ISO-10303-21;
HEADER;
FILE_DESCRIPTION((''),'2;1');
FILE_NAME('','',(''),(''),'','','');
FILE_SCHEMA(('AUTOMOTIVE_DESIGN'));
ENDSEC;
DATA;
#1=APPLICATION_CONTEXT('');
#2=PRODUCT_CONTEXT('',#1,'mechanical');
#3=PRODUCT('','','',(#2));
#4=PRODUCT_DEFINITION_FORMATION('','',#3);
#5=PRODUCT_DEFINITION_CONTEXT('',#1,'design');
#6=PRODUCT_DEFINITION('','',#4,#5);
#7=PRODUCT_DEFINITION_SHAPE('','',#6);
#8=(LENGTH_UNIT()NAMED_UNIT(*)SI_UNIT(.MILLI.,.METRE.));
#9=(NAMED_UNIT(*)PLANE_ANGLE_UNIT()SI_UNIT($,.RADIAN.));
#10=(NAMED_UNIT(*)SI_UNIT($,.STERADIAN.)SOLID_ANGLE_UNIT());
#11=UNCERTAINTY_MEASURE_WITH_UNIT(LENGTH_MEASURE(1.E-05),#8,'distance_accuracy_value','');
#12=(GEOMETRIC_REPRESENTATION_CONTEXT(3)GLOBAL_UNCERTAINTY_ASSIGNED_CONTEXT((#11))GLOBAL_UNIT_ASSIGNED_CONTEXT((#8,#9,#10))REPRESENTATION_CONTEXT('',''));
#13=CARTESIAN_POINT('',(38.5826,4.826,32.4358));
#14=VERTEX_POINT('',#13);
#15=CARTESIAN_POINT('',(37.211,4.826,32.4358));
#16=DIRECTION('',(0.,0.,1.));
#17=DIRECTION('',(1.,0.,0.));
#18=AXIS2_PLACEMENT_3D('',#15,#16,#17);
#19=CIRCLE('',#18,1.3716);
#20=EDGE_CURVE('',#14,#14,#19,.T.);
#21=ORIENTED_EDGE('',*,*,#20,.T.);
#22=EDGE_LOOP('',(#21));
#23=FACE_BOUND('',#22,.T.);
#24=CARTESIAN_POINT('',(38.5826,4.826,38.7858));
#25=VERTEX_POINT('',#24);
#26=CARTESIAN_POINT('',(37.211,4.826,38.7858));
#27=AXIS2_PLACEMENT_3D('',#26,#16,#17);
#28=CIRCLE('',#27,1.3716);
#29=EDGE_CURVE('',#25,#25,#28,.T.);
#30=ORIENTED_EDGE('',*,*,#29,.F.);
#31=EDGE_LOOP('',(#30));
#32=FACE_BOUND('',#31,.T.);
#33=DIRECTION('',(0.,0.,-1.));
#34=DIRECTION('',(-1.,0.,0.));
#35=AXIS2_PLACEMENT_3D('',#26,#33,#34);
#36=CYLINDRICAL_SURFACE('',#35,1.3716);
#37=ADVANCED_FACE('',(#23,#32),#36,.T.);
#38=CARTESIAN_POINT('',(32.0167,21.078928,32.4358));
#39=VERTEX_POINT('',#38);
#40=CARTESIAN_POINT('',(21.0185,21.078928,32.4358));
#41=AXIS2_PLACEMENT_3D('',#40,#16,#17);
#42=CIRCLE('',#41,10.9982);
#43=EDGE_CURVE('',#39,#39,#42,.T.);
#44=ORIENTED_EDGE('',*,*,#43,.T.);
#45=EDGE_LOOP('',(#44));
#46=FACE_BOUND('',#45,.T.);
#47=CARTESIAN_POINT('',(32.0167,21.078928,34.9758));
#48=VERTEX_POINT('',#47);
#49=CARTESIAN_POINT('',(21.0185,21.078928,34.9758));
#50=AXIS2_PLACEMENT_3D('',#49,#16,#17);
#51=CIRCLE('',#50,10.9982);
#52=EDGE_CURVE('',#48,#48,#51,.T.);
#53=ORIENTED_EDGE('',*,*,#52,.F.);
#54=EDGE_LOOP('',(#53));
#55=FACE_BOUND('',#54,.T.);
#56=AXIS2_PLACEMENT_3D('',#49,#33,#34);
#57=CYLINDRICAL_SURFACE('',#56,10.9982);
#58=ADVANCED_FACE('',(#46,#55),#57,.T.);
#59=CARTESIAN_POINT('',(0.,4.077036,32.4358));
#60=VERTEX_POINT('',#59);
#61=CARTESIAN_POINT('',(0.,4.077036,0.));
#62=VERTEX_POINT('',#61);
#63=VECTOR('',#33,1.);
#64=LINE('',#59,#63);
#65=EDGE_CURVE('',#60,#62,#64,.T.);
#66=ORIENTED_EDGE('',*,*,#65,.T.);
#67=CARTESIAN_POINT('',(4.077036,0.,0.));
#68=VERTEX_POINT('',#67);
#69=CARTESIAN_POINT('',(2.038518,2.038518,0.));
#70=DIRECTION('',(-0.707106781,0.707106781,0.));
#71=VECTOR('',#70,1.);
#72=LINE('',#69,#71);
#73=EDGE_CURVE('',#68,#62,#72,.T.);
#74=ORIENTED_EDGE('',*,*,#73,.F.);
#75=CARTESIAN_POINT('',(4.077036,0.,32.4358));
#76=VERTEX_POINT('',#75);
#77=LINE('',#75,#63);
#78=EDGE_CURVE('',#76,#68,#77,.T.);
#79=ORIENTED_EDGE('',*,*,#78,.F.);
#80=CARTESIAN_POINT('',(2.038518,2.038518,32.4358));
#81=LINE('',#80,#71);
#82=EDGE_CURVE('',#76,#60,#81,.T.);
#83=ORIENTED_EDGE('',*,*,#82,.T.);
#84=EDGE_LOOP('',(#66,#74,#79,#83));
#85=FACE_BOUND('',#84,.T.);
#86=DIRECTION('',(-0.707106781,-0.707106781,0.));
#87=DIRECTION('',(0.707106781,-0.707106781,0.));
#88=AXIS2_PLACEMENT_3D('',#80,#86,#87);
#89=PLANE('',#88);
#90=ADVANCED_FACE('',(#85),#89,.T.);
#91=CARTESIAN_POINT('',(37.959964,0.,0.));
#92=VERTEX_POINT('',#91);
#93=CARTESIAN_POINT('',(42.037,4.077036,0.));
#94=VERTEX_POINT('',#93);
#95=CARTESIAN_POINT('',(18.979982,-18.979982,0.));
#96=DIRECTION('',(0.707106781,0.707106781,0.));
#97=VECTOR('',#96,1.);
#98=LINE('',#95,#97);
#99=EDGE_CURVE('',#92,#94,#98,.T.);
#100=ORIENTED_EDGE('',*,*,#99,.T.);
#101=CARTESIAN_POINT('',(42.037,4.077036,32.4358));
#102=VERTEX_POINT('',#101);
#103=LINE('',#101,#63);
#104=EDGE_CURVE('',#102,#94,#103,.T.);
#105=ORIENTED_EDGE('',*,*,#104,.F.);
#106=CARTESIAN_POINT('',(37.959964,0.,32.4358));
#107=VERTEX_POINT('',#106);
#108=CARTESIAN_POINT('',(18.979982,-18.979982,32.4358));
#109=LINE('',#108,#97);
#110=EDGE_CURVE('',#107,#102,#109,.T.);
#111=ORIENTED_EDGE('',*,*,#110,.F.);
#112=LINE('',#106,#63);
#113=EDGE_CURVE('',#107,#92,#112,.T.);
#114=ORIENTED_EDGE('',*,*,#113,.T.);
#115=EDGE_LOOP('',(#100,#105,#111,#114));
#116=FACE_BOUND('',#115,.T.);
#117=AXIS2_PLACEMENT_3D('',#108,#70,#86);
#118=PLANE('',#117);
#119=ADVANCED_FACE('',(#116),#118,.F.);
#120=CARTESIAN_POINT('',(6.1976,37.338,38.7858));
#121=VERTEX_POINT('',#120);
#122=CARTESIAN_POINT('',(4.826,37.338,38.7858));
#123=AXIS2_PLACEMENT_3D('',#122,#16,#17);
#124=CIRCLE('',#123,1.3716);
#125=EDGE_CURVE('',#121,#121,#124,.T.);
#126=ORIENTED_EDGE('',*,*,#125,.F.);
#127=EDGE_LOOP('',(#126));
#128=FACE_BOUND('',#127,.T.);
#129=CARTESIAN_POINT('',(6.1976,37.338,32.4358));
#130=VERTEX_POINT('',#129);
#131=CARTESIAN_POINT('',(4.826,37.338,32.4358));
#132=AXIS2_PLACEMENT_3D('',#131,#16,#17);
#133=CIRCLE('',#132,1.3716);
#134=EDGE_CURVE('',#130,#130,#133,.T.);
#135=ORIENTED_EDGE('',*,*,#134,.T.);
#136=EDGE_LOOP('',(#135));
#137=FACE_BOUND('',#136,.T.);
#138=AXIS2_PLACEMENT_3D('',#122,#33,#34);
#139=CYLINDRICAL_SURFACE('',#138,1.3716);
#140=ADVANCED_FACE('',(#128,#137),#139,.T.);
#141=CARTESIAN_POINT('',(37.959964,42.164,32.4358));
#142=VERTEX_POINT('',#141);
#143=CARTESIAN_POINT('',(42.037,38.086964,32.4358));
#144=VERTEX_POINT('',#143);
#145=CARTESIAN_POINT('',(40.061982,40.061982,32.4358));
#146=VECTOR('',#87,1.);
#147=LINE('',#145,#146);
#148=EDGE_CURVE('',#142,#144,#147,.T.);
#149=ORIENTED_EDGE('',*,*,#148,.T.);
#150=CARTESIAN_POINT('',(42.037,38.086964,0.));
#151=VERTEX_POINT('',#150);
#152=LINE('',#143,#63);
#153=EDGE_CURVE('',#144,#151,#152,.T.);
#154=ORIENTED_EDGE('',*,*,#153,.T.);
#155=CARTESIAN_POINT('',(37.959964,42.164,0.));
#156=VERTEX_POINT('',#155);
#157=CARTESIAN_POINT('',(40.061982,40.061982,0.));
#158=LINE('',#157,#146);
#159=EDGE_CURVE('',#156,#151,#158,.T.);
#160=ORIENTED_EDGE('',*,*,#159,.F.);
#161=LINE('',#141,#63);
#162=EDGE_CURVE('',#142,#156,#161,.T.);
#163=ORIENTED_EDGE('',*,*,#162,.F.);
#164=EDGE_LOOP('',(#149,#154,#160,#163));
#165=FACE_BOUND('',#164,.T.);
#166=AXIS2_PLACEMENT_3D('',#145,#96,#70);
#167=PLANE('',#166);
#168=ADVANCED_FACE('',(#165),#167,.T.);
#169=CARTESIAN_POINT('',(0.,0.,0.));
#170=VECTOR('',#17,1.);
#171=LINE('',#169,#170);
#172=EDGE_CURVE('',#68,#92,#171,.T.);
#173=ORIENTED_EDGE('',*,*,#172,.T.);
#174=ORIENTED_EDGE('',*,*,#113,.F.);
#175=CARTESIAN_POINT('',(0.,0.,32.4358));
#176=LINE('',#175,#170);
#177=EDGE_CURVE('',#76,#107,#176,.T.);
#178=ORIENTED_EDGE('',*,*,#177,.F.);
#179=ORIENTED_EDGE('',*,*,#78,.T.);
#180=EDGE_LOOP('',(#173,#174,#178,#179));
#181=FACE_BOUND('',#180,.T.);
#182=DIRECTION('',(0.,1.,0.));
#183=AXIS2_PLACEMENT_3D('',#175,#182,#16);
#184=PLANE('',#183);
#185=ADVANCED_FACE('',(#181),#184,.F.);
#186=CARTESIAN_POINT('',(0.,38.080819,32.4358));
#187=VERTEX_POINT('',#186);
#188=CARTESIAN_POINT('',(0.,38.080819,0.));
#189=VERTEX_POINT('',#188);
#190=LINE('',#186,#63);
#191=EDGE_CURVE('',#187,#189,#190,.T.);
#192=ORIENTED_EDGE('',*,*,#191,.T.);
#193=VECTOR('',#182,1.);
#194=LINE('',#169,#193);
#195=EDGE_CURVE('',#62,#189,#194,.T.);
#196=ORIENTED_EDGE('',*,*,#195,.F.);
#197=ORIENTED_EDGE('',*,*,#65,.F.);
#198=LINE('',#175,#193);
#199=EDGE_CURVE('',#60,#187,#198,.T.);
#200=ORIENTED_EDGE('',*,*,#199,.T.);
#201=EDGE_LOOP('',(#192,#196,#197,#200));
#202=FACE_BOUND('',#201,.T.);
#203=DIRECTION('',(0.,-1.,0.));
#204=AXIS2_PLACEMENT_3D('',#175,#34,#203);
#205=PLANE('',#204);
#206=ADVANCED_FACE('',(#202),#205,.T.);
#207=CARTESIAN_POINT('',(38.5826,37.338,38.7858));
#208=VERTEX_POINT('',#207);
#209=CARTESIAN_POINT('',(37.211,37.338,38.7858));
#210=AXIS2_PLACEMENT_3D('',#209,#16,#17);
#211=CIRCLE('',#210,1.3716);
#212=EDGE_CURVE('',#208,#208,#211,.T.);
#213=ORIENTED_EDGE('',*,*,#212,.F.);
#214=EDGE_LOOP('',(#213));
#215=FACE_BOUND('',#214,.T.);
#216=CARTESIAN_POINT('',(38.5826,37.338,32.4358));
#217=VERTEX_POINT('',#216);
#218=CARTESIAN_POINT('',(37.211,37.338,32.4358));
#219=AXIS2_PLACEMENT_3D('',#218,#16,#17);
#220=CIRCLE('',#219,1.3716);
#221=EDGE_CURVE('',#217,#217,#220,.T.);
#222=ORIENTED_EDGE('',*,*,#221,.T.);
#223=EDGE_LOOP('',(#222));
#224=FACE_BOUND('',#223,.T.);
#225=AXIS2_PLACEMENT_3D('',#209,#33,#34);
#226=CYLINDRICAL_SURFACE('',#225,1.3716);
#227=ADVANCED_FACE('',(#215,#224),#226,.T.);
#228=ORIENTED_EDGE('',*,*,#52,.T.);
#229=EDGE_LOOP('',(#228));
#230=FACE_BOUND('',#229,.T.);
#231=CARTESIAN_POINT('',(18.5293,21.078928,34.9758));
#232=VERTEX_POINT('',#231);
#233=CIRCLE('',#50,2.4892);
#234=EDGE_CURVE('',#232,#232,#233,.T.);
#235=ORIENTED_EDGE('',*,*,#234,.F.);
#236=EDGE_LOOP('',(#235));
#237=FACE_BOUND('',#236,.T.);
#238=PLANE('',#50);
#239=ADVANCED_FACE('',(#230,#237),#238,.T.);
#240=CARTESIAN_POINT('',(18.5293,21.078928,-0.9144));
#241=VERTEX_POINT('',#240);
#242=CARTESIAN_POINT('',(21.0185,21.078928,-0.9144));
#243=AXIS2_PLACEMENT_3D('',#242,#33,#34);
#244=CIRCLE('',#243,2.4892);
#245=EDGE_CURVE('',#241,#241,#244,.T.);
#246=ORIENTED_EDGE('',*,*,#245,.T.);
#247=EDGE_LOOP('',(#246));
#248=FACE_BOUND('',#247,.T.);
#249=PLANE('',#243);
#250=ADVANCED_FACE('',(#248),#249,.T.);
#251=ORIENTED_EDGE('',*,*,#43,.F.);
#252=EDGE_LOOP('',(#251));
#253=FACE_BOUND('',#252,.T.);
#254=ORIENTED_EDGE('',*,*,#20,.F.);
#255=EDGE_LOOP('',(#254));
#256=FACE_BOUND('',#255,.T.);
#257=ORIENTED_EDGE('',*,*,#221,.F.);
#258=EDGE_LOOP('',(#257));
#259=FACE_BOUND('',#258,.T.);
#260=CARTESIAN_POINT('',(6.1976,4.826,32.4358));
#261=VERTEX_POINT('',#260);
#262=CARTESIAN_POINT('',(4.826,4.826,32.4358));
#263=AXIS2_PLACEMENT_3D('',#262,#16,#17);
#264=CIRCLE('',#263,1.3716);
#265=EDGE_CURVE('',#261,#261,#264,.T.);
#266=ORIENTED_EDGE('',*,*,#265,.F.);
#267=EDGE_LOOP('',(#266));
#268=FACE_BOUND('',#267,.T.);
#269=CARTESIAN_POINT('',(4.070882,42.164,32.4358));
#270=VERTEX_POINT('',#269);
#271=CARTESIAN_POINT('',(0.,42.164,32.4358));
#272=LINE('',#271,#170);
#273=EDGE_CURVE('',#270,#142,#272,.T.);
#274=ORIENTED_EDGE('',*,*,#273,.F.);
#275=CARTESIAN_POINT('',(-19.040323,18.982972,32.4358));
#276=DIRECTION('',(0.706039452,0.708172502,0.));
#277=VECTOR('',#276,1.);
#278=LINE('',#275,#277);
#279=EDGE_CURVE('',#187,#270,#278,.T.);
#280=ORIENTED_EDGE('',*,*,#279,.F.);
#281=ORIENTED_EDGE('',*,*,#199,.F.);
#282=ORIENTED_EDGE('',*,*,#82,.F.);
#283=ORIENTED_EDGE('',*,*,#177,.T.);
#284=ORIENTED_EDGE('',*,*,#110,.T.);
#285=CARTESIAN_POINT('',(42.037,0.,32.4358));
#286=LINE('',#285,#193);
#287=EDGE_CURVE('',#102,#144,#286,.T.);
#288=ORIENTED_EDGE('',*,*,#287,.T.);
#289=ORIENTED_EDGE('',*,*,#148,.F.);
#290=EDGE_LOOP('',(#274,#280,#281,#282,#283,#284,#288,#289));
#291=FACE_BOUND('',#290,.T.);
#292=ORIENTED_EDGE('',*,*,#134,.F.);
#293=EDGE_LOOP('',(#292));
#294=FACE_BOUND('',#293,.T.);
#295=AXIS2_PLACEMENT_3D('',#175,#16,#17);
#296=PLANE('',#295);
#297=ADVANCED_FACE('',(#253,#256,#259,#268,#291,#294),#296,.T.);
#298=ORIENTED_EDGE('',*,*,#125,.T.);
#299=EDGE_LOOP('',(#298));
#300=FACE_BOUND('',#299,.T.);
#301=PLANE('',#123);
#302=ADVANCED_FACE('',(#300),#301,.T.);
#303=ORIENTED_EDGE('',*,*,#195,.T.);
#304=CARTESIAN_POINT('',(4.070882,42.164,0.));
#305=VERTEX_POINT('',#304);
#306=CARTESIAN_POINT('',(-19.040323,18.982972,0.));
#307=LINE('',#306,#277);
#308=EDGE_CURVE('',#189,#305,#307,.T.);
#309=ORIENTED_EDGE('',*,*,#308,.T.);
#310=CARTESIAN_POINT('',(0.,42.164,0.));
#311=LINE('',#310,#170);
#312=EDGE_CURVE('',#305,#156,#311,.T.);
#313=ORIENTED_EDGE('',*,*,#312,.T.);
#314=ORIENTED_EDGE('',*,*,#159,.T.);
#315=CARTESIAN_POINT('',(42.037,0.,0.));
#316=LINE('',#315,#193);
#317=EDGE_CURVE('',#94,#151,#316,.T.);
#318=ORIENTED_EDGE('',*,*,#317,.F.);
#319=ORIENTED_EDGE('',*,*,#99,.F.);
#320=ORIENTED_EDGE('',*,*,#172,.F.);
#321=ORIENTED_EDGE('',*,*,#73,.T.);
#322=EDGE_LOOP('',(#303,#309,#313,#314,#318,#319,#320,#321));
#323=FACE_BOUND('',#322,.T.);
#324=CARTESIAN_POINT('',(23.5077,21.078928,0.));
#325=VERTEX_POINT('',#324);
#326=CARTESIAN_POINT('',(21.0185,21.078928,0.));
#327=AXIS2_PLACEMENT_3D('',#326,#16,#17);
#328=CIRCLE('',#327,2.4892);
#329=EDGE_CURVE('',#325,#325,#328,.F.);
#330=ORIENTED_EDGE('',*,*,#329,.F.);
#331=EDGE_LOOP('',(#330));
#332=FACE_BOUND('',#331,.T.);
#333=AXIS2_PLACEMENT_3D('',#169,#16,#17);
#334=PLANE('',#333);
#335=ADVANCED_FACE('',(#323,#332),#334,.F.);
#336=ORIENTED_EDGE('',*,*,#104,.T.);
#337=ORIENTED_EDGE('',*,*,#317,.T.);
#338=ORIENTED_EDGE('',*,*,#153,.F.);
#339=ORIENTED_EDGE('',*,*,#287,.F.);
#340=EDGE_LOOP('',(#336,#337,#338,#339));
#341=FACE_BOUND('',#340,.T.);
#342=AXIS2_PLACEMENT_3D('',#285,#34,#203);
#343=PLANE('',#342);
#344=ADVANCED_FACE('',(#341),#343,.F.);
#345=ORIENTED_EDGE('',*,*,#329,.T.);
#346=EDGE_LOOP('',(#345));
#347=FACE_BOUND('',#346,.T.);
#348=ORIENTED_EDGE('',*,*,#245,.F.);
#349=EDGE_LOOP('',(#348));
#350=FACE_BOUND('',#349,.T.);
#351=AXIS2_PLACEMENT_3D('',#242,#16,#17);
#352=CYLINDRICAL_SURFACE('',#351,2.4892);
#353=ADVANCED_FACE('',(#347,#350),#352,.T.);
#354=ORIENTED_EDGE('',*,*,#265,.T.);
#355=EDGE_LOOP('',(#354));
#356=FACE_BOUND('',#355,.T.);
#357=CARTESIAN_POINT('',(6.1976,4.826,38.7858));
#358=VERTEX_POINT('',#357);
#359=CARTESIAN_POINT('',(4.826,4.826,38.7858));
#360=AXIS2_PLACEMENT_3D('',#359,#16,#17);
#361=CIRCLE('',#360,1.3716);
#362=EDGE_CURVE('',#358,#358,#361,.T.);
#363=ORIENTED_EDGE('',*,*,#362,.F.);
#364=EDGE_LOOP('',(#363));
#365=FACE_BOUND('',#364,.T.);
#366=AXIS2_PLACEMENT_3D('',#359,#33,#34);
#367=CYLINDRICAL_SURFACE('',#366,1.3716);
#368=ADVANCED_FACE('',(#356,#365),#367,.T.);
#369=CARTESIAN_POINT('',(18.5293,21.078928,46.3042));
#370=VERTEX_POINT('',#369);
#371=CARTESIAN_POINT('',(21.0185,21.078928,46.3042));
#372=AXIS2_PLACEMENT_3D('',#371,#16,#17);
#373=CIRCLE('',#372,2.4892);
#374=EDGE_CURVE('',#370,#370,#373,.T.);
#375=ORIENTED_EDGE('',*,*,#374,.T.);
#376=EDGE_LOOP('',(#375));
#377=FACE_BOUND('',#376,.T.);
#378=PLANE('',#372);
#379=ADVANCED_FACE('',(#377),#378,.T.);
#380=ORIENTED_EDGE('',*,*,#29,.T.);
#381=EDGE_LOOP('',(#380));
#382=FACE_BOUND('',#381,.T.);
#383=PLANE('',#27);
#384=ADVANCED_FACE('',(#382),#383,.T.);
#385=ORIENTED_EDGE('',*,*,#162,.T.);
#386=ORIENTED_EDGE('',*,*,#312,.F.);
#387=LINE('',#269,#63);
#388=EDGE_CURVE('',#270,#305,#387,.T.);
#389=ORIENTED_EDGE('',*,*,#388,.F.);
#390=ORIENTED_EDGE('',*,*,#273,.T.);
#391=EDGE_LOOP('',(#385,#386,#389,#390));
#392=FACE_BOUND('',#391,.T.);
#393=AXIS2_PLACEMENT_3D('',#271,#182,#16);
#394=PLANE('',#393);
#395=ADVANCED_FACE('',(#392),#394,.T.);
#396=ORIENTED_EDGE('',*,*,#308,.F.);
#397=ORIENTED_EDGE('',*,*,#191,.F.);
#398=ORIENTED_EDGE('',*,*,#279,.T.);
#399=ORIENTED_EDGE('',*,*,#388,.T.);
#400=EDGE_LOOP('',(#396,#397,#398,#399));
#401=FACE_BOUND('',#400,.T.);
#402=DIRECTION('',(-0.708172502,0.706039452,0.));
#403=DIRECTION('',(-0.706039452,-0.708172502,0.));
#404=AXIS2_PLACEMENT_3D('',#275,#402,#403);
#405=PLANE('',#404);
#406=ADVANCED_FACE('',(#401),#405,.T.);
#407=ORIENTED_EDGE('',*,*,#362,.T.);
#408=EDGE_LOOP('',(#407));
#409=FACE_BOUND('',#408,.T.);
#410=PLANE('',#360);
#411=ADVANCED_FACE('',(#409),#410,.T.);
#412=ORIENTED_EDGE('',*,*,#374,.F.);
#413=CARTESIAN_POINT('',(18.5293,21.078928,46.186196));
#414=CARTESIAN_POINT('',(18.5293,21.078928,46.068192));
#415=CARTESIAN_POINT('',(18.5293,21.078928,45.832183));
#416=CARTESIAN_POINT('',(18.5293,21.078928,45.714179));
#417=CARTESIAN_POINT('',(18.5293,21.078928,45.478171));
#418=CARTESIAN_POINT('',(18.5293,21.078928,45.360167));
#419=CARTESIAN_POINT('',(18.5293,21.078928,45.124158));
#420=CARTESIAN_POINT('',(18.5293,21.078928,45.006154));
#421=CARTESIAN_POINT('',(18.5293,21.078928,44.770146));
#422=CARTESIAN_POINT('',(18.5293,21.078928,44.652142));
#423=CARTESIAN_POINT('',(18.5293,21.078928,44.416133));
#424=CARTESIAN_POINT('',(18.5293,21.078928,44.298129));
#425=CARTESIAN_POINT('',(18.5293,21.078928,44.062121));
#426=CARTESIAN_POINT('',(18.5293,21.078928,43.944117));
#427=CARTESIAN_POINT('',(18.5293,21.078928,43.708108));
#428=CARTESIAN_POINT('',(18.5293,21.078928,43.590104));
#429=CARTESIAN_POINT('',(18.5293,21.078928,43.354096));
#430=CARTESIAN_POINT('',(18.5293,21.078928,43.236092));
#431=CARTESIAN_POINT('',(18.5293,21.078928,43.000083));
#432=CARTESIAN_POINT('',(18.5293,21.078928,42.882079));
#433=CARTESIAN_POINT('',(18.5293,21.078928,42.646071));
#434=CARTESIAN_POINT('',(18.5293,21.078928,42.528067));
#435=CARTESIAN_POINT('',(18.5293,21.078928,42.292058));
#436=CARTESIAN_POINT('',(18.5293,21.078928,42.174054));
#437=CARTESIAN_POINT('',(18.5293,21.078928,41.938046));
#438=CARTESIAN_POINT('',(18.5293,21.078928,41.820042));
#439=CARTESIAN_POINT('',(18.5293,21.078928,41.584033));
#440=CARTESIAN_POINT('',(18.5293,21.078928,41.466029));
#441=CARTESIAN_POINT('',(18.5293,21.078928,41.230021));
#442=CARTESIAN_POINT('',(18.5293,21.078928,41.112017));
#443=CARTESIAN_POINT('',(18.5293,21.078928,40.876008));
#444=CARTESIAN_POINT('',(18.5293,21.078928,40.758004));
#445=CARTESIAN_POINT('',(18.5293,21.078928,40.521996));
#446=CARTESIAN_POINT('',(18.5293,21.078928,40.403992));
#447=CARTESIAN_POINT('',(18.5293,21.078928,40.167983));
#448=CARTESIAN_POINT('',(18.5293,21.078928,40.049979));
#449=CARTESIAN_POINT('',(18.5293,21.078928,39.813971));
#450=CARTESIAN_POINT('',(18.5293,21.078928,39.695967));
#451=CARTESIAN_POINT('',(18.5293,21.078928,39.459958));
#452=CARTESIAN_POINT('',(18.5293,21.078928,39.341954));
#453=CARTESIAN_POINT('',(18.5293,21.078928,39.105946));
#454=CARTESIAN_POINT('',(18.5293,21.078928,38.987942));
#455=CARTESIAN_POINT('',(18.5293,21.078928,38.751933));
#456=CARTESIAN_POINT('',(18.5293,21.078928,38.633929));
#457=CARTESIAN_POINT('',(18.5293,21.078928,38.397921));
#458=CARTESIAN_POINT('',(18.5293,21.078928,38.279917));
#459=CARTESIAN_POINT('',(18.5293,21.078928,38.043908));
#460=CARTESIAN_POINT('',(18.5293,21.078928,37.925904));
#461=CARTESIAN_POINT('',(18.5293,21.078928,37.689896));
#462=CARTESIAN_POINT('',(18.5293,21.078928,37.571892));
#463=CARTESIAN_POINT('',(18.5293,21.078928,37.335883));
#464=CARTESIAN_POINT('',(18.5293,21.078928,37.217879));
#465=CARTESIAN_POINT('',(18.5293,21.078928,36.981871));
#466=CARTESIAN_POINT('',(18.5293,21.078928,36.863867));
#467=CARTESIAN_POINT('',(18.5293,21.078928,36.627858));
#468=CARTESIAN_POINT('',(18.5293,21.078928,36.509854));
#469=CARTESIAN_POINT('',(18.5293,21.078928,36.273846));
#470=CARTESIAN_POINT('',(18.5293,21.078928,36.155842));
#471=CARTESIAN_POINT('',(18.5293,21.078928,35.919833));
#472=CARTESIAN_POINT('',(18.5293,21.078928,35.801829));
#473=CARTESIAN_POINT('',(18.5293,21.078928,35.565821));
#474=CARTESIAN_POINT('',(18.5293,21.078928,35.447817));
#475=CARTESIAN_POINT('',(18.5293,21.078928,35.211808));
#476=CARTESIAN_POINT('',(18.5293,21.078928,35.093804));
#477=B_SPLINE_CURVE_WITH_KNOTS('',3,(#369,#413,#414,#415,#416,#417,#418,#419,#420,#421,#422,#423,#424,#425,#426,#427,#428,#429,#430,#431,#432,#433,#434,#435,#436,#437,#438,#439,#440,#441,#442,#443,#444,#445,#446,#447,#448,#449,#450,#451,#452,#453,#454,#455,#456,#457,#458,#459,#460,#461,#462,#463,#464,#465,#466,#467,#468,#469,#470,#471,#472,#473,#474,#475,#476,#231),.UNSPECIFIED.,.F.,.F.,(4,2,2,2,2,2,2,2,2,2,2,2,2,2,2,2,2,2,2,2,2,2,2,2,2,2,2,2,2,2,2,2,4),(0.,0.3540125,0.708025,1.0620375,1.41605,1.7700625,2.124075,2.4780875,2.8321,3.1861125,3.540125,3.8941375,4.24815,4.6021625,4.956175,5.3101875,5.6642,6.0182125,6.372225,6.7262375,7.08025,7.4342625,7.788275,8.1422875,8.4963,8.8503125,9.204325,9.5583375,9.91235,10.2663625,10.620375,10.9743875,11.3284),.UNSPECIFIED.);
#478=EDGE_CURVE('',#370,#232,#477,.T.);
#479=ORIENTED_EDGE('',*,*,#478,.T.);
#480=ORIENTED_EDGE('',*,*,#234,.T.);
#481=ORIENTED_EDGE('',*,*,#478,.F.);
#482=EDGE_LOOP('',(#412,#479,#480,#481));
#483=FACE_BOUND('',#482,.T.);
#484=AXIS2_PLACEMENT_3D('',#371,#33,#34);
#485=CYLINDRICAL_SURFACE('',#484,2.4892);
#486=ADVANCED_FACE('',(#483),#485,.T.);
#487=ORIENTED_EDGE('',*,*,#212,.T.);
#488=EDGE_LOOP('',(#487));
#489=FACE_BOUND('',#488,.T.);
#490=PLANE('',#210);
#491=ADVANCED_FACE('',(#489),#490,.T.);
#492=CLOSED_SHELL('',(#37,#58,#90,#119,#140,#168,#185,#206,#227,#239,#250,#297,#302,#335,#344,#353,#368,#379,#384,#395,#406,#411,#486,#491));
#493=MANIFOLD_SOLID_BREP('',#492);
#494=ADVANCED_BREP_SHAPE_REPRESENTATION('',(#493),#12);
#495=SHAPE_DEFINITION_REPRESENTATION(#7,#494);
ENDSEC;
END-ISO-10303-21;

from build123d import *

# Parameters (mm, degrees)
BOSS_EXTRUDE4_DEPTH = 32.4358
SKETCH4_R           = 10.9982
BOSS_EXTRUDE5_DEPTH = 2.54
SKETCH5_R           = 2.4892
BOSS_EXTRUDE6_DEPTH = 11.3284
SKETCH6_R           = 1.3716
BOSS_EXTRUDE7_DEPTH = 6.35
BOSS_EXTRUDE8_START = 0.9144
SKETCH7_R           = 2.4892
BOSS_EXTRUDE8_DEPTH = 0.9144


with BuildPart() as part:
    # Sketch1 → Boss-Extrude4 (new body)
    with BuildSketch(Plane.XY):
        Polygon((0, 4.077036279), (4.077036279, 0), (37.959963721, 0), (42.037, 4.077036279), (42.037, 38.086963721), (37.959963721, 42.164), (4.070882272, 42.164), (0, 38.08081899), align=None)
    extrude(amount=BOSS_EXTRUDE4_DEPTH)

    # Sketch4 → Boss-Extrude5 (add)
    with BuildSketch(Plane.XY.offset(32.4358)):
        with Locations((21.0185, 21.078927634)):
            Circle(SKETCH4_R)
    extrude(amount=BOSS_EXTRUDE5_DEPTH)

    # Sketch5 → Boss-Extrude6 (add)
    with BuildSketch(Plane.XY.offset(34.9758)):
        with Locations(Location((21.0185, 21.078927634, 0), (0, 0, 180))):
            Circle(SKETCH5_R)
    extrude(amount=BOSS_EXTRUDE6_DEPTH)

    # Sketch6 → Boss-Extrude7 (add)
    with BuildSketch(Plane.XY.offset(32.4358)):
        with Locations((4.826, 37.338)):
            Circle(SKETCH6_R)
        with Locations((4.826, 4.826)):
            Circle(SKETCH6_R)
        with Locations((37.211, 4.826)):
            Circle(SKETCH6_R)
        with Locations((37.211, 37.338)):
            Circle(SKETCH6_R)
    extrude(amount=BOSS_EXTRUDE7_DEPTH)

    # Sketch7 → Boss-Extrude8 (add)
    with BuildSketch(Plane(origin=(0, 0, 0), x_dir=(-1, 0, 0), z_dir=(0, 0, -1)).offset(BOSS_EXTRUDE8_START)):
        with Locations((-21.0185, 21.078927634)):
            Circle(SKETCH7_R)
    extrude(amount=-BOSS_EXTRUDE8_DEPTH)


solid = part.part
